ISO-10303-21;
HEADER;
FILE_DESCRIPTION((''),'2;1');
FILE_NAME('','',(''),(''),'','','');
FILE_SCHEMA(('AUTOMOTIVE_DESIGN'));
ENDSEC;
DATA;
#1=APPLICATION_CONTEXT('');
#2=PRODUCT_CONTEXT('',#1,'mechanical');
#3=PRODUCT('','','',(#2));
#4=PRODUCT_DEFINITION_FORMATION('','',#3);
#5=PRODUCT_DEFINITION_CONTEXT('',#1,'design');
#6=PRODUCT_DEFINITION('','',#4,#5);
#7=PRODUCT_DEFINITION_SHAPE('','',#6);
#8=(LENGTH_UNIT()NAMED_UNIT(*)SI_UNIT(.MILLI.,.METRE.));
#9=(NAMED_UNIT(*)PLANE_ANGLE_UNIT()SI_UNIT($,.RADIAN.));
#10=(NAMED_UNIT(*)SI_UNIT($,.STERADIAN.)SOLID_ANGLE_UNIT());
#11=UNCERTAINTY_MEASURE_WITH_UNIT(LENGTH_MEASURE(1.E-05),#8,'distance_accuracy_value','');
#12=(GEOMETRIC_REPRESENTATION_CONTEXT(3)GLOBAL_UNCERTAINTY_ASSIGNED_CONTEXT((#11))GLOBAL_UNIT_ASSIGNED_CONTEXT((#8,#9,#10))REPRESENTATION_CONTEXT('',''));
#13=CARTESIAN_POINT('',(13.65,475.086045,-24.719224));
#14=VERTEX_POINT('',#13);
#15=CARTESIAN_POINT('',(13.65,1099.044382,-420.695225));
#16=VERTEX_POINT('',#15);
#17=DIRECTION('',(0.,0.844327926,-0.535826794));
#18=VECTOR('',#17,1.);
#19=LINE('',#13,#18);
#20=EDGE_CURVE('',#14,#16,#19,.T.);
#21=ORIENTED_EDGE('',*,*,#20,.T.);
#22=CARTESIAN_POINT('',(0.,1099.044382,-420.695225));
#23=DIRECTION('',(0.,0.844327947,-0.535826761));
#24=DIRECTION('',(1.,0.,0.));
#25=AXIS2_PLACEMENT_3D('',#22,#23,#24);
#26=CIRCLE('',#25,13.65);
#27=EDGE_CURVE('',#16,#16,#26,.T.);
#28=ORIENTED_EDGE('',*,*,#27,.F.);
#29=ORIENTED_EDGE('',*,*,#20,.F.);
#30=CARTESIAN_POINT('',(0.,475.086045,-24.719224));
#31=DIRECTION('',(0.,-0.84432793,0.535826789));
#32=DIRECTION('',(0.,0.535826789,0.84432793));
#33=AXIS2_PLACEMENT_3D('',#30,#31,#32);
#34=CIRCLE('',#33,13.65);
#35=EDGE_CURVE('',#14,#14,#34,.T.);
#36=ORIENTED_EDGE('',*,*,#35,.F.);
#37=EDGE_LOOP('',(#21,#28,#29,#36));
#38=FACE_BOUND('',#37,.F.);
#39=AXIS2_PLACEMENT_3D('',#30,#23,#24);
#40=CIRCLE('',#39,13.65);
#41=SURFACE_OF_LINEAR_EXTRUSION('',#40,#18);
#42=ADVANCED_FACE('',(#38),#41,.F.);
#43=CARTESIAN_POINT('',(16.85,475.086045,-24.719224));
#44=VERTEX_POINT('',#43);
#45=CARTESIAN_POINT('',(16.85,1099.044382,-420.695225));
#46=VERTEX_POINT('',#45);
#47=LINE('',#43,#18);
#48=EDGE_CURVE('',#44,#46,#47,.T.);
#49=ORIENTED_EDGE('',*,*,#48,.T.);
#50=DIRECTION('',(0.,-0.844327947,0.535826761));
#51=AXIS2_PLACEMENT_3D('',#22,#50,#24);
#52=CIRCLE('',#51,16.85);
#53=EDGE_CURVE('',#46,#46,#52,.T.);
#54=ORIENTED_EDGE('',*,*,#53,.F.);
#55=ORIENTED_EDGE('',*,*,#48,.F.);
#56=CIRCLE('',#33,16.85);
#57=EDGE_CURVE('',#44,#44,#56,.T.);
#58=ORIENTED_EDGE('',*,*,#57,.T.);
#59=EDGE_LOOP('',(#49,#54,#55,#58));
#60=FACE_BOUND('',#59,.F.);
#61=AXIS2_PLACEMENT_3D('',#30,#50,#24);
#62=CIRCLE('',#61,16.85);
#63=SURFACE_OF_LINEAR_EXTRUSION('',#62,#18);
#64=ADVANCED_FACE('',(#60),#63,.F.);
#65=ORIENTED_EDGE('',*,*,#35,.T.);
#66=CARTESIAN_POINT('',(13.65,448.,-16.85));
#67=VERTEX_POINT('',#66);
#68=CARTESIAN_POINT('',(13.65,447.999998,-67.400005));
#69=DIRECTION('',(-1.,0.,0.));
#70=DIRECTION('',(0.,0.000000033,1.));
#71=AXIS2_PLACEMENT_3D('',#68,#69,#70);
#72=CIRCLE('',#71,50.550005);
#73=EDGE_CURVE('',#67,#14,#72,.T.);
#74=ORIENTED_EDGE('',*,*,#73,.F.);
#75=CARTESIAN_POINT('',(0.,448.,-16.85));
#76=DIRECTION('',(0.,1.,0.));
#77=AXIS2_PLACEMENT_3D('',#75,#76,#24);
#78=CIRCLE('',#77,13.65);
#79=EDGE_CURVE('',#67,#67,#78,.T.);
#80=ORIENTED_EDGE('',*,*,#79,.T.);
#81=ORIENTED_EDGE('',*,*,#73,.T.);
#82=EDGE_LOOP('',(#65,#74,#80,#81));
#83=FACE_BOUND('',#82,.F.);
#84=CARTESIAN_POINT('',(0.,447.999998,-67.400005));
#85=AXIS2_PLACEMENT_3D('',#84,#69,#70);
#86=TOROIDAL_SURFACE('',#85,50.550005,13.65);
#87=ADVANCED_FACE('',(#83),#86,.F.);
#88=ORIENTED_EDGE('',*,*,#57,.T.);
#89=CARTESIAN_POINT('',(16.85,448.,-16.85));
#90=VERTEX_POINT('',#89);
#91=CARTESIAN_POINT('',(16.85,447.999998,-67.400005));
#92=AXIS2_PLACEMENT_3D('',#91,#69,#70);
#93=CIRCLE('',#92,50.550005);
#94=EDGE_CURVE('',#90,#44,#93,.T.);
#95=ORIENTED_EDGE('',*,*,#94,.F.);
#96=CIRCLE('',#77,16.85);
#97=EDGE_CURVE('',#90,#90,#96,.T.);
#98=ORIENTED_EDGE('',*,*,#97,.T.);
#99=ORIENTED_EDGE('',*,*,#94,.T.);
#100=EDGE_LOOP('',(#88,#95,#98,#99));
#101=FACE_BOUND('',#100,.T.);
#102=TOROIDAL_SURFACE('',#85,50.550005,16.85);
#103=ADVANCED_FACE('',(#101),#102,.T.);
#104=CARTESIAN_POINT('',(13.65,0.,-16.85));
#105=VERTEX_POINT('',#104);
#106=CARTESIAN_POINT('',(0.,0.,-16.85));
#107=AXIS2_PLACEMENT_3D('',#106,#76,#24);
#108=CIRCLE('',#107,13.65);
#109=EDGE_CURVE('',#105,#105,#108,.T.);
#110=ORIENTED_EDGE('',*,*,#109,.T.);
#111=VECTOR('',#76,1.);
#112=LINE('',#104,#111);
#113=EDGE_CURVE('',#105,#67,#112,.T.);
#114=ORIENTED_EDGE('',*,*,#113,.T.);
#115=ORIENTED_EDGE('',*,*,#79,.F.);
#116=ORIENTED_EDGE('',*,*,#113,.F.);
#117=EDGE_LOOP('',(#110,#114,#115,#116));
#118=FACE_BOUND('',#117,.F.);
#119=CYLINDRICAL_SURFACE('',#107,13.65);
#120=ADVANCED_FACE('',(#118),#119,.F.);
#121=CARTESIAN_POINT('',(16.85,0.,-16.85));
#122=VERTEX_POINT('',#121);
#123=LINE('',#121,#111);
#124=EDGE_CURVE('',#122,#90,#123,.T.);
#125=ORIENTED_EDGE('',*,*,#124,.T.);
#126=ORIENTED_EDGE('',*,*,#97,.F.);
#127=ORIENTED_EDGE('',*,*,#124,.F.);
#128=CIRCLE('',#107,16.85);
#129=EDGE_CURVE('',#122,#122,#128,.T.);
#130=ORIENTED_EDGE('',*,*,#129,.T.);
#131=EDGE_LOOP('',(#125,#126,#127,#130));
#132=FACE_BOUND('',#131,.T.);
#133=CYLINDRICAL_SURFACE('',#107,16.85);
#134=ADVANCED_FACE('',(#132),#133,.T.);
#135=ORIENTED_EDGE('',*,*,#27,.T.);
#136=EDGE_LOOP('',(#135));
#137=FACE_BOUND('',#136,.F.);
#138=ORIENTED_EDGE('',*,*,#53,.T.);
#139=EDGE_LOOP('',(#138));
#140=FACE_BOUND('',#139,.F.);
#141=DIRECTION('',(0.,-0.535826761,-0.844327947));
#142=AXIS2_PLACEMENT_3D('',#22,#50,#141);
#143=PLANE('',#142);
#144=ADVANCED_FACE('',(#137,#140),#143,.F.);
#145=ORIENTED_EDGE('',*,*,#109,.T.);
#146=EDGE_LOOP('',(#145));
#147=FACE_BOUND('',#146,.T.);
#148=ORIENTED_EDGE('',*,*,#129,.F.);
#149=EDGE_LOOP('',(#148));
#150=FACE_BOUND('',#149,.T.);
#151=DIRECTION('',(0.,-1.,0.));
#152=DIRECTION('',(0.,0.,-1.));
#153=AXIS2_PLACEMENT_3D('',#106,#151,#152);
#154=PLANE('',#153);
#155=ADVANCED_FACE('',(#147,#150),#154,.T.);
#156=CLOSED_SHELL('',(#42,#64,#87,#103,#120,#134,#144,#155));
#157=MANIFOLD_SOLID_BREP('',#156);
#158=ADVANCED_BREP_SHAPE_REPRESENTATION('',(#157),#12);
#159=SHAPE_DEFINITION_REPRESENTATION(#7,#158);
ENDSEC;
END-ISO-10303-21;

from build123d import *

# Parameters (mm, degrees)
F1_R   = 16.85
F1_R_2 = 13.65


with BuildPart() as f2:
    # F2: sweep along a path in F0
    with BuildLine(Plane.YZ) as f2_path:
        Line((0, 0), (448, 0))
        ThreePointArc((448, 0), (466.804001, -2.676206), (484.114726, -10.492298))
        Line((484.114726, -10.492298), (1108.073063, -406.468299))
    # F1 (on Front) → F2 (sweep)
    with BuildSketch(Plane.XZ):
        with Locations((0, -16.85)):
            Circle(F1_R)
        with Locations((0, -16.85)):
            Circle(F1_R_2, mode=Mode.SUBTRACT)
    sweep(path=f2_path.line)


solid = f2.part
